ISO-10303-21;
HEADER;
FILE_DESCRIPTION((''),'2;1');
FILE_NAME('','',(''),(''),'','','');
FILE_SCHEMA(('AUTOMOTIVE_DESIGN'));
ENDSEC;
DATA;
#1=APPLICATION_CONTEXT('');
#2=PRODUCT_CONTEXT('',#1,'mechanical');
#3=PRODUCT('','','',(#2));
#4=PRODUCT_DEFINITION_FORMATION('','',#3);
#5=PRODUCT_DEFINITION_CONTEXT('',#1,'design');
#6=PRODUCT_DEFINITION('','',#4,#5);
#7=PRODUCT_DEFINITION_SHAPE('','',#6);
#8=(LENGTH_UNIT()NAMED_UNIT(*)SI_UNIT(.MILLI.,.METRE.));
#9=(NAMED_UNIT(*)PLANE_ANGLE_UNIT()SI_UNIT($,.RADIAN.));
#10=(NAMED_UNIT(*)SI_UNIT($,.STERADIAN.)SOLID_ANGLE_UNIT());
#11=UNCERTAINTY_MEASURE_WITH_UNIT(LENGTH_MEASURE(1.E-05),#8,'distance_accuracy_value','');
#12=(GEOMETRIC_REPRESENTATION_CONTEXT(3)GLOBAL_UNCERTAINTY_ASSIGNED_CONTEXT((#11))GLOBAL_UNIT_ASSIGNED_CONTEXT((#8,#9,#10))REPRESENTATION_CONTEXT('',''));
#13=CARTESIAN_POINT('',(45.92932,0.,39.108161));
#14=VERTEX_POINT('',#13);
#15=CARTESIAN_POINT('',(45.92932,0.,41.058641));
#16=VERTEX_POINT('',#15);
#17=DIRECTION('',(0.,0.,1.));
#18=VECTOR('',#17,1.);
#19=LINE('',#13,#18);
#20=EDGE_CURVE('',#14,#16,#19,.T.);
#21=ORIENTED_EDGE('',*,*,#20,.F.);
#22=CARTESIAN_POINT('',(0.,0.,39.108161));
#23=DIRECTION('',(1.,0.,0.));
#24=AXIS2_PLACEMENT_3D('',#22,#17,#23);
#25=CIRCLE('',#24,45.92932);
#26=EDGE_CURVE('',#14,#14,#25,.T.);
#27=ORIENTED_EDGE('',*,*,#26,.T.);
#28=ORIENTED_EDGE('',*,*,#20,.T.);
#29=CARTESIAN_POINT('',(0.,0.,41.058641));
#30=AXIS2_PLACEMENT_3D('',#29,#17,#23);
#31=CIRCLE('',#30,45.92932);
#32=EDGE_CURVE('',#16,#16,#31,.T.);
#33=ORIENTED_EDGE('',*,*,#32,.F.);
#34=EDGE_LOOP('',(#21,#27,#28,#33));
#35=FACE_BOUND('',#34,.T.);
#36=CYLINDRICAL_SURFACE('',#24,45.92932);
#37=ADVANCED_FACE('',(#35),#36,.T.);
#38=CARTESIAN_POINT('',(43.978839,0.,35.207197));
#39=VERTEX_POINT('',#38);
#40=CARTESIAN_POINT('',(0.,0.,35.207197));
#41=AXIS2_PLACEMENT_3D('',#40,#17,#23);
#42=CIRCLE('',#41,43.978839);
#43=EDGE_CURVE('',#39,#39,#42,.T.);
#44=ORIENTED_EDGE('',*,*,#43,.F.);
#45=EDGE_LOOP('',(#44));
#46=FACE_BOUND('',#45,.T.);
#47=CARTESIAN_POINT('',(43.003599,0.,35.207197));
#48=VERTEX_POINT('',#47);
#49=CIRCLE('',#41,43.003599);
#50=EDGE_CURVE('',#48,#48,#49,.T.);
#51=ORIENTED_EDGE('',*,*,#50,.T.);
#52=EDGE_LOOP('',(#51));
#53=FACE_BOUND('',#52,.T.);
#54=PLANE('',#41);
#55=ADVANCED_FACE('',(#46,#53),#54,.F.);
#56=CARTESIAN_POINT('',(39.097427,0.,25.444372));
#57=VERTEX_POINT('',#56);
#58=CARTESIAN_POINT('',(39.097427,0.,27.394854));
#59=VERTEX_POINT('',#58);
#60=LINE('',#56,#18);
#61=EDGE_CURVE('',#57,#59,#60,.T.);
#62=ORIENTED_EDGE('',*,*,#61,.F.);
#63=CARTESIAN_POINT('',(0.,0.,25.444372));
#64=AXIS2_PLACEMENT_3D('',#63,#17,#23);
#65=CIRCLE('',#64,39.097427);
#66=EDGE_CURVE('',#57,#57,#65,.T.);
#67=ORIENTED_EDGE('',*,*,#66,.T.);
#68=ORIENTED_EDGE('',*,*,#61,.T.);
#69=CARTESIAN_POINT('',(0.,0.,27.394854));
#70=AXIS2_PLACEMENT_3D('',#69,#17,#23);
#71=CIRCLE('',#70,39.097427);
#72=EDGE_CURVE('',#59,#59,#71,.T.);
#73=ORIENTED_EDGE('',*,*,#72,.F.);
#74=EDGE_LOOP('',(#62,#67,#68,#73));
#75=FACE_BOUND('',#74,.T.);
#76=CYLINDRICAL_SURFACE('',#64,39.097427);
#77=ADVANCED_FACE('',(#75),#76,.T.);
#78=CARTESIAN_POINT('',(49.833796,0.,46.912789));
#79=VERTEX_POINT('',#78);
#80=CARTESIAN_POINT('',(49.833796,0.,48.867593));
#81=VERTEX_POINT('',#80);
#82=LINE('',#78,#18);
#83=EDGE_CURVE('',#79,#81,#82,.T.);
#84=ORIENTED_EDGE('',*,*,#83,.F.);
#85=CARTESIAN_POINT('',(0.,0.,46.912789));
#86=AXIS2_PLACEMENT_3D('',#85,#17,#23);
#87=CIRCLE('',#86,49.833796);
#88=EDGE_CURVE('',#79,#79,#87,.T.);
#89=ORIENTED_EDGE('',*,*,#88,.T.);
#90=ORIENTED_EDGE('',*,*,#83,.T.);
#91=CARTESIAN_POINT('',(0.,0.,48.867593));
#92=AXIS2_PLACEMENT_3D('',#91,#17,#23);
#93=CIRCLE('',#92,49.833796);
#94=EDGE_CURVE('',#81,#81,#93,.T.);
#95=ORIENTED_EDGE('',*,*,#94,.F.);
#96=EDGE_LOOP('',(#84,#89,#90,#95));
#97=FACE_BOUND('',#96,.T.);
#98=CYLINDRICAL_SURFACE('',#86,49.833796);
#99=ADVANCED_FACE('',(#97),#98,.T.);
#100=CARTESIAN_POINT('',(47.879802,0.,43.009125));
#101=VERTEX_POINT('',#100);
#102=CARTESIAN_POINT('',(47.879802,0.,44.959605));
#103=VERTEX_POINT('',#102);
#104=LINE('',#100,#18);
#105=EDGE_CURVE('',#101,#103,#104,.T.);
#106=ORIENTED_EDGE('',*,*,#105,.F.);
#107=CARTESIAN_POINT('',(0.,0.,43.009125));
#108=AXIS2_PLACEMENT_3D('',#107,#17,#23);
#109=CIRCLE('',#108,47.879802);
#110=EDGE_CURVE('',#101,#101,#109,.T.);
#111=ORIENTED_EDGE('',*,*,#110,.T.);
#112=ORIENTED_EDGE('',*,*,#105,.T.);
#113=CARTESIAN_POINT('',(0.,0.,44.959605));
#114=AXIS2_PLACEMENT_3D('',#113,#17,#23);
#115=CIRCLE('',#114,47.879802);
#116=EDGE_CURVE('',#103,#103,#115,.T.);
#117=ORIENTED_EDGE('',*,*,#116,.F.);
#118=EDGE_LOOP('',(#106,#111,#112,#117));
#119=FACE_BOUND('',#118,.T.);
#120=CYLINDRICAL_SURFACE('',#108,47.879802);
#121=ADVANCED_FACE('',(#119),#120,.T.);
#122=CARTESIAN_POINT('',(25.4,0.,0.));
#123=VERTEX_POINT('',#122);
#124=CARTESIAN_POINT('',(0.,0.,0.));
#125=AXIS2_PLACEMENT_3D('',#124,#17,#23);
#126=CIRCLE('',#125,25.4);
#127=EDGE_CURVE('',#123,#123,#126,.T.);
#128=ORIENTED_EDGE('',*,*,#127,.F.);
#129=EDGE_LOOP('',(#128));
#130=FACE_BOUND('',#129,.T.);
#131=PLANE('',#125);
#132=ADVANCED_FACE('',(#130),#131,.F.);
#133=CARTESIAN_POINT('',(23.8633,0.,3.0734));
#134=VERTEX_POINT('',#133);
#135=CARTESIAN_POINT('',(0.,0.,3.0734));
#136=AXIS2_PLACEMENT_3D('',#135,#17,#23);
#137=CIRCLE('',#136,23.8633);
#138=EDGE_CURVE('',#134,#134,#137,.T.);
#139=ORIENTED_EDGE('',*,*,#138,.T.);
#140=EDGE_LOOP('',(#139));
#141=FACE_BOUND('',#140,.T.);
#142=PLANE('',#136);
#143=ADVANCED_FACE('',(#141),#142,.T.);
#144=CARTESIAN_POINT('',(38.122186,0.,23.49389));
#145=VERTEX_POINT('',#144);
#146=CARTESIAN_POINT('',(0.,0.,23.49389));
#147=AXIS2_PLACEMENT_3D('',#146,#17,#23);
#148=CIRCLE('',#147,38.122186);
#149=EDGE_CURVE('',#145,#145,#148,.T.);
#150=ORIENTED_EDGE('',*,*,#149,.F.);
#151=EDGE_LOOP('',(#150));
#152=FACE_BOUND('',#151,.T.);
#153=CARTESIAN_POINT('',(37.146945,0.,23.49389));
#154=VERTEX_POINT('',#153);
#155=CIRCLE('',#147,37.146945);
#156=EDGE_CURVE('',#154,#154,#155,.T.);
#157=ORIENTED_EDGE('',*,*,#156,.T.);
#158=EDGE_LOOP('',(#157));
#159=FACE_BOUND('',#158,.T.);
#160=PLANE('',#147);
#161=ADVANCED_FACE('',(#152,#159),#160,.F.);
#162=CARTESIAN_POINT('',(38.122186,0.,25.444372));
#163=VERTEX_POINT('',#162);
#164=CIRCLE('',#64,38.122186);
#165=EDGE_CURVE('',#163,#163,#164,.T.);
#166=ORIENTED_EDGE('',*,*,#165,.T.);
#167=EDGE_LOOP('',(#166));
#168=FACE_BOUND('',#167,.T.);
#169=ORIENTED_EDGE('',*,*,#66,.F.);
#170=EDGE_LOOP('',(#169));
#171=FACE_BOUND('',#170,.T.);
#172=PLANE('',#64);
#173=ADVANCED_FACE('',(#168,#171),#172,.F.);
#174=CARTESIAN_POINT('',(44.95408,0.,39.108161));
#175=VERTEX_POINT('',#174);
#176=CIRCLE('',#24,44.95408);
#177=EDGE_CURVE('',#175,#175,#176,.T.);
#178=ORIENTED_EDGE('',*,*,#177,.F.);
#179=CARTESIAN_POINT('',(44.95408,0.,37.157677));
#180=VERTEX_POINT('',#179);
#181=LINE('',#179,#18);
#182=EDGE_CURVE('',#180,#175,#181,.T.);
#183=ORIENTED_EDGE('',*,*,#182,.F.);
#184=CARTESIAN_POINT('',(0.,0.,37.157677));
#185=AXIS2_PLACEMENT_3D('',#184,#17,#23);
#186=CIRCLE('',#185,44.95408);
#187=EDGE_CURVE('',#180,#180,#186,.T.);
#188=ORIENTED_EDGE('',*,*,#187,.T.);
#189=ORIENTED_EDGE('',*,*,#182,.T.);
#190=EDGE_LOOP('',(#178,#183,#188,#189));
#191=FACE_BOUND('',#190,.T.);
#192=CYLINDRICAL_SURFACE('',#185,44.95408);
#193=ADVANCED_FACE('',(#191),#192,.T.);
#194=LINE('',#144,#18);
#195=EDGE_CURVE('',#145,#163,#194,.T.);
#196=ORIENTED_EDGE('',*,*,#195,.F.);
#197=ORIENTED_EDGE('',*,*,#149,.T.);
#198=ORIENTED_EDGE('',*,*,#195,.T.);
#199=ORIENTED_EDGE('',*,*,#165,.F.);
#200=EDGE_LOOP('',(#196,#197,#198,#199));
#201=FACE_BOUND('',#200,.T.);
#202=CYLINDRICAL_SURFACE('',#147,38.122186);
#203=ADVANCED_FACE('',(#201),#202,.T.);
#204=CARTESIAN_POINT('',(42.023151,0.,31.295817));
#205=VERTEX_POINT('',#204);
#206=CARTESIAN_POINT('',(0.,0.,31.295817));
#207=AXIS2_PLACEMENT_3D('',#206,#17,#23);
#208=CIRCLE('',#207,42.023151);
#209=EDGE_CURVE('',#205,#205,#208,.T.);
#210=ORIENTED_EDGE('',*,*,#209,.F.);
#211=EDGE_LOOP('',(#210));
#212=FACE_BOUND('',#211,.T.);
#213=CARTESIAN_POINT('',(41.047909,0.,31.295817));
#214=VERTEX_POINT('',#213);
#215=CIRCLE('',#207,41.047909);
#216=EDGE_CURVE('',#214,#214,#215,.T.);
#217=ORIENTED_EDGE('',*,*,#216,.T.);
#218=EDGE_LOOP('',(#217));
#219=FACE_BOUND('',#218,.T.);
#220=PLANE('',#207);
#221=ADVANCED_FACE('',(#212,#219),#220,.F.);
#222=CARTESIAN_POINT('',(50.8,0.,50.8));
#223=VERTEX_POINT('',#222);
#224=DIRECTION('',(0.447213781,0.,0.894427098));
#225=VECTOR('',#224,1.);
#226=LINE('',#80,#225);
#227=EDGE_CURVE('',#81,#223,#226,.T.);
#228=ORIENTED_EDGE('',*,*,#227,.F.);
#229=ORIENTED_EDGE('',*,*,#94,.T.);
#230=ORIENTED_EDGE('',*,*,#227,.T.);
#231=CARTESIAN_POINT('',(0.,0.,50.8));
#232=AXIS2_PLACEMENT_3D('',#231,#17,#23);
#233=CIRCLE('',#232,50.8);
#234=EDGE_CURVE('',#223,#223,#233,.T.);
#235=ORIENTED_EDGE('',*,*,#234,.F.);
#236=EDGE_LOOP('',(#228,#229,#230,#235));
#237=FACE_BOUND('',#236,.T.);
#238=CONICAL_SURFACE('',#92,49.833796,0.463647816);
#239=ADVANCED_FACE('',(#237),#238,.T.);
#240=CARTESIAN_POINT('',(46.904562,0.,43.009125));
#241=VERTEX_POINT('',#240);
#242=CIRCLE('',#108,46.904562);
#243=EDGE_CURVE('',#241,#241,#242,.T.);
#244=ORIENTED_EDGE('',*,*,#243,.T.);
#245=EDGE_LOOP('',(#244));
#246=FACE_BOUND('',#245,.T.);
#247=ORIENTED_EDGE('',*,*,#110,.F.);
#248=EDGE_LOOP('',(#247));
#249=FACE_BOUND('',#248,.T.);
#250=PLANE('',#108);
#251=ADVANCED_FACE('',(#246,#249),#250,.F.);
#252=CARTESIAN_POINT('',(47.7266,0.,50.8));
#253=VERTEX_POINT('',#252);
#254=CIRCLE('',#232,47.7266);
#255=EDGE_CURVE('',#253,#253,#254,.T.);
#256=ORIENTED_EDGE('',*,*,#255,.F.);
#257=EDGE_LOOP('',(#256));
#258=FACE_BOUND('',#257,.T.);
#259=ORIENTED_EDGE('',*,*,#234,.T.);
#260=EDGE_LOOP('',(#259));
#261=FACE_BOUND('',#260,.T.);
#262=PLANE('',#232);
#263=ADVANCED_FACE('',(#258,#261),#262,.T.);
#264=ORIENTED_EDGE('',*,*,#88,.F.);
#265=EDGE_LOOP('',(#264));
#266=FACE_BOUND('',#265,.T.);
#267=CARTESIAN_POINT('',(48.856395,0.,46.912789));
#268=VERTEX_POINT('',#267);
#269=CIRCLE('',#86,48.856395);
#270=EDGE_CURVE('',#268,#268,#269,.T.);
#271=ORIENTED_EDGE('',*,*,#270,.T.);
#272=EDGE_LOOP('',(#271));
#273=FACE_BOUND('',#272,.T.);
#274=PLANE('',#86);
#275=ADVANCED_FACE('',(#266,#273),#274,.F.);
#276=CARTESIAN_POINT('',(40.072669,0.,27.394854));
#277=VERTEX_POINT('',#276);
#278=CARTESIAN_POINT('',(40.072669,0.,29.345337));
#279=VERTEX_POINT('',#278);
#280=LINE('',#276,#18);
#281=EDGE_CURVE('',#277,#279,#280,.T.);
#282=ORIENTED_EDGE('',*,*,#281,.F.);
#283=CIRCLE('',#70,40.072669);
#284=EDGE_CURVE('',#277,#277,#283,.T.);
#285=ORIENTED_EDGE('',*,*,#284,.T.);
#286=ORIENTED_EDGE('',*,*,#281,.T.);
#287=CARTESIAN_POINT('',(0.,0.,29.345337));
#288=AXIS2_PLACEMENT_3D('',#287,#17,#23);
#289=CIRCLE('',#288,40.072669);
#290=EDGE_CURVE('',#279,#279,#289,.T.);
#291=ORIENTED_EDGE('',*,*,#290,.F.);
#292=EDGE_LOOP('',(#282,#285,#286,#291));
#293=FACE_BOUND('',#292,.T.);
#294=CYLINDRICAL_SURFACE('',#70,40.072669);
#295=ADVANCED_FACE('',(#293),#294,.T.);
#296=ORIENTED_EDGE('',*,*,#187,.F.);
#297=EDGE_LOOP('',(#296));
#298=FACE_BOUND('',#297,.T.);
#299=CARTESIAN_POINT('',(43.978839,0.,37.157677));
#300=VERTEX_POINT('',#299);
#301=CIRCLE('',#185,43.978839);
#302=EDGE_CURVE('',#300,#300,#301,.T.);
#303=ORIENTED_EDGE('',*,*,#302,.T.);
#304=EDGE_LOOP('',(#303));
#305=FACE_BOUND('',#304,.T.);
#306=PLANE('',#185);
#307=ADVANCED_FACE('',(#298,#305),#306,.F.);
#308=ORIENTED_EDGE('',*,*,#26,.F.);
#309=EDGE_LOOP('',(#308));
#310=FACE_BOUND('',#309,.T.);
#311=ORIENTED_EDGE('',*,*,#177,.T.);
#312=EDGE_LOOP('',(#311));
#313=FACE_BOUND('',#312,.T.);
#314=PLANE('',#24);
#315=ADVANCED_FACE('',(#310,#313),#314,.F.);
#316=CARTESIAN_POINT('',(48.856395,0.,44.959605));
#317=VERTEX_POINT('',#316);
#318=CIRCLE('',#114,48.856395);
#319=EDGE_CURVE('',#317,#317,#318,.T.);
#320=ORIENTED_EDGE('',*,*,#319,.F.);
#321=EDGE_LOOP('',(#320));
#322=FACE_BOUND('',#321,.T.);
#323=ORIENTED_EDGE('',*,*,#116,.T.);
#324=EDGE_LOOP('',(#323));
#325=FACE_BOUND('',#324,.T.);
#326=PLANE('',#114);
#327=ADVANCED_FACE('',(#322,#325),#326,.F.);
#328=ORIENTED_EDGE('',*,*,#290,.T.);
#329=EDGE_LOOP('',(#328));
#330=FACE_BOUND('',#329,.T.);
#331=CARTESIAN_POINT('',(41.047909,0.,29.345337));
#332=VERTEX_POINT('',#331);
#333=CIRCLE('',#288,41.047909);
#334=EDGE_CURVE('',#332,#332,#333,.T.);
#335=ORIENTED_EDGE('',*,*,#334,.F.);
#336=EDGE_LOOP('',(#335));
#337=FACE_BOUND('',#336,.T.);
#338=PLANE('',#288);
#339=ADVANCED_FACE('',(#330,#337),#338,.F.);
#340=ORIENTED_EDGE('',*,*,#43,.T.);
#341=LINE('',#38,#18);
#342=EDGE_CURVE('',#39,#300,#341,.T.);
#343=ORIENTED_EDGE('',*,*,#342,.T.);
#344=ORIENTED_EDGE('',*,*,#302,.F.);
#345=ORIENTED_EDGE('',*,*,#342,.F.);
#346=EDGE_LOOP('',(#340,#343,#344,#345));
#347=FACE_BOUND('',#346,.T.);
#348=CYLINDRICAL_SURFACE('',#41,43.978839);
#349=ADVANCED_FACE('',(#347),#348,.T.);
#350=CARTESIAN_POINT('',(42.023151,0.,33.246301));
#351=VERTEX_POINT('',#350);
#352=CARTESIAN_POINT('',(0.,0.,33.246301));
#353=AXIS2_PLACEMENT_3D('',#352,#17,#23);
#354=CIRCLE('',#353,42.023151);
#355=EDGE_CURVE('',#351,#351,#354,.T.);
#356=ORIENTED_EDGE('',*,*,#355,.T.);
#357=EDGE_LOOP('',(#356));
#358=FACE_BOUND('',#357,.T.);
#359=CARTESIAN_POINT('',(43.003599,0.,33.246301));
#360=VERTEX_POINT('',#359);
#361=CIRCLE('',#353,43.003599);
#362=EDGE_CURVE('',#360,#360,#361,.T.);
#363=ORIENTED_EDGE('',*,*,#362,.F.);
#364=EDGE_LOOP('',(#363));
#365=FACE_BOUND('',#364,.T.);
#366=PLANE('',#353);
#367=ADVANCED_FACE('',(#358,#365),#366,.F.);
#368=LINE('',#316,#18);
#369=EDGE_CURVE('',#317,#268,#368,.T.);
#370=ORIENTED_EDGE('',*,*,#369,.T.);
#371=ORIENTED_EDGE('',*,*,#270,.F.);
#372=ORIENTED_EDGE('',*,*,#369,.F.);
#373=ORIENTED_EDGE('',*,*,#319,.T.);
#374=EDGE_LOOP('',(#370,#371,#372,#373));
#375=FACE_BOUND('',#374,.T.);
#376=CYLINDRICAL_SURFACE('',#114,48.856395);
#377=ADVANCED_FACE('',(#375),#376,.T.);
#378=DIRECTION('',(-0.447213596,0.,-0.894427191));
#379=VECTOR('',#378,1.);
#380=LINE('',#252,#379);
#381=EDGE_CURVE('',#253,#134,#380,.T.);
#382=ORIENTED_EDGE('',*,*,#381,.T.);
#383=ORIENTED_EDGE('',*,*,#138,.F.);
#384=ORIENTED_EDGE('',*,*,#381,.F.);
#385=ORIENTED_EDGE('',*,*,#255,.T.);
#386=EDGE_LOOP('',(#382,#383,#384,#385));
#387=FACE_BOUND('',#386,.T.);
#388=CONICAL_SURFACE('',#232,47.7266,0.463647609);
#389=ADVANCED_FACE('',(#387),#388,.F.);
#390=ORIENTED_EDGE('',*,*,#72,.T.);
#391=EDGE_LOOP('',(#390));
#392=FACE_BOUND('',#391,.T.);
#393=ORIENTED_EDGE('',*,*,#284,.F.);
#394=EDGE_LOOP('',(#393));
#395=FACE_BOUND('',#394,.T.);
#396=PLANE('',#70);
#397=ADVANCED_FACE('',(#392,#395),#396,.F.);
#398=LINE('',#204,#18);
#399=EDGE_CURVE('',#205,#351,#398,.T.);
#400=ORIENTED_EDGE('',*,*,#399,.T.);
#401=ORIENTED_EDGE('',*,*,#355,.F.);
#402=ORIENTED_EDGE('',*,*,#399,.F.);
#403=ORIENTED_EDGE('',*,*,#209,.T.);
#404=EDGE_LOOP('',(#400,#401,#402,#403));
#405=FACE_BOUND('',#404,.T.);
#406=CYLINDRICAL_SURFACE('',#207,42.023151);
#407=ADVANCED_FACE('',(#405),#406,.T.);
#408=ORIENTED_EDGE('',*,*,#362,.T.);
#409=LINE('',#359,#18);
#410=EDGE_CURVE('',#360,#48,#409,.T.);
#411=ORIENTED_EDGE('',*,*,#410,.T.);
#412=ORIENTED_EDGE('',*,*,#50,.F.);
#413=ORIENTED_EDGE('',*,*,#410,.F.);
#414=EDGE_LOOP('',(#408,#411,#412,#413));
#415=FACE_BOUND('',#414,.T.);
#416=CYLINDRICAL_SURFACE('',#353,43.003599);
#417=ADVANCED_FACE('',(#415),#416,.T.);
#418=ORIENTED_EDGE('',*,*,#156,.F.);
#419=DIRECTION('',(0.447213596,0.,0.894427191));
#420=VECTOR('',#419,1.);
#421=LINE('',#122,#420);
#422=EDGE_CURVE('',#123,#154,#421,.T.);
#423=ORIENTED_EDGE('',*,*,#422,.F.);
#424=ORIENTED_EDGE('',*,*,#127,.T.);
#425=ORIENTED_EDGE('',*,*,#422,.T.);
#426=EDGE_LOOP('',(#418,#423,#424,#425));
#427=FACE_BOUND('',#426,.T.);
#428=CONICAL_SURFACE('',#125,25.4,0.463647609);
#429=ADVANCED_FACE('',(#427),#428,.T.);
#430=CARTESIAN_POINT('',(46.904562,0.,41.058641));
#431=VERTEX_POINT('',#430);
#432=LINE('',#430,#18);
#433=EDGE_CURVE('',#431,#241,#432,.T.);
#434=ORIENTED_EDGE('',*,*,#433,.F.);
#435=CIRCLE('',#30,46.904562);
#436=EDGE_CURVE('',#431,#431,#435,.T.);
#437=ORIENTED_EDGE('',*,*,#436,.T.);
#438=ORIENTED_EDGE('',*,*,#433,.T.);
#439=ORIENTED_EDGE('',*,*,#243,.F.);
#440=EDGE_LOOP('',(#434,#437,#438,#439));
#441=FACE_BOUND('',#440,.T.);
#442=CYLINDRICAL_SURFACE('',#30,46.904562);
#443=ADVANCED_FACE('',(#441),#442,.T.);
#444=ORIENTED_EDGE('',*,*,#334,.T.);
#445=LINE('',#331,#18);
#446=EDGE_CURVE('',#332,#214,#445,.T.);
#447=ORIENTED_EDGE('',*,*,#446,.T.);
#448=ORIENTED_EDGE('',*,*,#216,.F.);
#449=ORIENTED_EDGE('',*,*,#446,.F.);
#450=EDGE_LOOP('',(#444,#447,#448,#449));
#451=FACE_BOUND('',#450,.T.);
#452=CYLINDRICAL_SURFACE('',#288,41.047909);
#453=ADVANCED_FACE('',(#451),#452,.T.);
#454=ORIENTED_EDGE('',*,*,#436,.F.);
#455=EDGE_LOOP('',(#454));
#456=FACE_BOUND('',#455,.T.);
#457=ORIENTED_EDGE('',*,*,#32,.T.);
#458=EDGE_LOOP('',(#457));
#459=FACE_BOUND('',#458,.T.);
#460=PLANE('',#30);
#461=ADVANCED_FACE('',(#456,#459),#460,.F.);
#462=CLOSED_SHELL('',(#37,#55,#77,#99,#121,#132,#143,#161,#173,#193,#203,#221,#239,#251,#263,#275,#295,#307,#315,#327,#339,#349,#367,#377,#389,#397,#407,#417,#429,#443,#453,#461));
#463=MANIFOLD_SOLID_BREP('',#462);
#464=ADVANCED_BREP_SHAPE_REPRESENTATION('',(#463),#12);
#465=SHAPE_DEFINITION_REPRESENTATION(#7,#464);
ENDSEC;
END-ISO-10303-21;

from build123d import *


with BuildPart() as f1:
    # F0 (on Front) → F1 (revolve)
    with BuildSketch(Plane.XZ):
        Polygon((47.879802, 43.009125), (47.879802, 44.959605), (46.904562, 43.009125), align=None)
        Polygon((48.856395, 44.959605), (48.856395, 46.912789), (47.879802, 44.959605), align=None)
        Polygon((49.833796, 46.912789), (49.833796, 48.867593), (48.856395, 46.912789), align=None)
        Polygon((46.904562, 41.058641), (46.904562, 43.009125), (45.92932, 41.058641), align=None)
        Polygon((45.92932, 39.108161), (45.92932, 41.058641), (44.95408, 39.108161), align=None)
        Polygon((44.95408, 39.108161), (43.978839, 37.157677), (44.95408, 37.157677), align=None)
        Polygon((43.978839, 37.157677), (43.003599, 35.207197), (43.978839, 35.207197), align=None)
        Polygon((43.003599, 35.207197), (42.023151, 33.246301), (43.003599, 33.246301), align=None)
        Polygon((42.023151, 33.246301), (41.047909, 31.295817), (42.023151, 31.295817), align=None)
        Polygon((41.047909, 31.295817), (40.072669, 29.345337), (41.047909, 29.345337), align=None)
        Polygon((40.072669, 29.345337), (39.097427, 27.394854), (40.072669, 27.394854), align=None)
        Polygon((39.097427, 27.394854), (38.122186, 25.444372), (39.097427, 25.444372), align=None)
        Polygon((38.122186, 25.444372), (37.146945, 23.49389), (38.122186, 23.49389), align=None)
        Polygon((0, 3.0734), (0, 0), (25.4, 0), (37.146945, 23.49389), (38.122186, 25.444372), (39.097427, 27.394854), (40.072669, 29.345337), (41.047909, 31.295817), (42.023151, 33.246301), (43.003599, 35.207197), (43.978839, 37.157677), (44.95408, 39.108161), (45.92932, 41.058641), (46.904562, 43.009125), (47.879802, 44.959605), (48.856395, 46.912789), (49.833796, 48.867593), (50.8, 50.8), (47.7266, 50.8), (23.8633, 3.0734), align=None)
    revolve(axis=Axis((0, 0, 25.4), (0, 0, 1)))


solid = f1.part
